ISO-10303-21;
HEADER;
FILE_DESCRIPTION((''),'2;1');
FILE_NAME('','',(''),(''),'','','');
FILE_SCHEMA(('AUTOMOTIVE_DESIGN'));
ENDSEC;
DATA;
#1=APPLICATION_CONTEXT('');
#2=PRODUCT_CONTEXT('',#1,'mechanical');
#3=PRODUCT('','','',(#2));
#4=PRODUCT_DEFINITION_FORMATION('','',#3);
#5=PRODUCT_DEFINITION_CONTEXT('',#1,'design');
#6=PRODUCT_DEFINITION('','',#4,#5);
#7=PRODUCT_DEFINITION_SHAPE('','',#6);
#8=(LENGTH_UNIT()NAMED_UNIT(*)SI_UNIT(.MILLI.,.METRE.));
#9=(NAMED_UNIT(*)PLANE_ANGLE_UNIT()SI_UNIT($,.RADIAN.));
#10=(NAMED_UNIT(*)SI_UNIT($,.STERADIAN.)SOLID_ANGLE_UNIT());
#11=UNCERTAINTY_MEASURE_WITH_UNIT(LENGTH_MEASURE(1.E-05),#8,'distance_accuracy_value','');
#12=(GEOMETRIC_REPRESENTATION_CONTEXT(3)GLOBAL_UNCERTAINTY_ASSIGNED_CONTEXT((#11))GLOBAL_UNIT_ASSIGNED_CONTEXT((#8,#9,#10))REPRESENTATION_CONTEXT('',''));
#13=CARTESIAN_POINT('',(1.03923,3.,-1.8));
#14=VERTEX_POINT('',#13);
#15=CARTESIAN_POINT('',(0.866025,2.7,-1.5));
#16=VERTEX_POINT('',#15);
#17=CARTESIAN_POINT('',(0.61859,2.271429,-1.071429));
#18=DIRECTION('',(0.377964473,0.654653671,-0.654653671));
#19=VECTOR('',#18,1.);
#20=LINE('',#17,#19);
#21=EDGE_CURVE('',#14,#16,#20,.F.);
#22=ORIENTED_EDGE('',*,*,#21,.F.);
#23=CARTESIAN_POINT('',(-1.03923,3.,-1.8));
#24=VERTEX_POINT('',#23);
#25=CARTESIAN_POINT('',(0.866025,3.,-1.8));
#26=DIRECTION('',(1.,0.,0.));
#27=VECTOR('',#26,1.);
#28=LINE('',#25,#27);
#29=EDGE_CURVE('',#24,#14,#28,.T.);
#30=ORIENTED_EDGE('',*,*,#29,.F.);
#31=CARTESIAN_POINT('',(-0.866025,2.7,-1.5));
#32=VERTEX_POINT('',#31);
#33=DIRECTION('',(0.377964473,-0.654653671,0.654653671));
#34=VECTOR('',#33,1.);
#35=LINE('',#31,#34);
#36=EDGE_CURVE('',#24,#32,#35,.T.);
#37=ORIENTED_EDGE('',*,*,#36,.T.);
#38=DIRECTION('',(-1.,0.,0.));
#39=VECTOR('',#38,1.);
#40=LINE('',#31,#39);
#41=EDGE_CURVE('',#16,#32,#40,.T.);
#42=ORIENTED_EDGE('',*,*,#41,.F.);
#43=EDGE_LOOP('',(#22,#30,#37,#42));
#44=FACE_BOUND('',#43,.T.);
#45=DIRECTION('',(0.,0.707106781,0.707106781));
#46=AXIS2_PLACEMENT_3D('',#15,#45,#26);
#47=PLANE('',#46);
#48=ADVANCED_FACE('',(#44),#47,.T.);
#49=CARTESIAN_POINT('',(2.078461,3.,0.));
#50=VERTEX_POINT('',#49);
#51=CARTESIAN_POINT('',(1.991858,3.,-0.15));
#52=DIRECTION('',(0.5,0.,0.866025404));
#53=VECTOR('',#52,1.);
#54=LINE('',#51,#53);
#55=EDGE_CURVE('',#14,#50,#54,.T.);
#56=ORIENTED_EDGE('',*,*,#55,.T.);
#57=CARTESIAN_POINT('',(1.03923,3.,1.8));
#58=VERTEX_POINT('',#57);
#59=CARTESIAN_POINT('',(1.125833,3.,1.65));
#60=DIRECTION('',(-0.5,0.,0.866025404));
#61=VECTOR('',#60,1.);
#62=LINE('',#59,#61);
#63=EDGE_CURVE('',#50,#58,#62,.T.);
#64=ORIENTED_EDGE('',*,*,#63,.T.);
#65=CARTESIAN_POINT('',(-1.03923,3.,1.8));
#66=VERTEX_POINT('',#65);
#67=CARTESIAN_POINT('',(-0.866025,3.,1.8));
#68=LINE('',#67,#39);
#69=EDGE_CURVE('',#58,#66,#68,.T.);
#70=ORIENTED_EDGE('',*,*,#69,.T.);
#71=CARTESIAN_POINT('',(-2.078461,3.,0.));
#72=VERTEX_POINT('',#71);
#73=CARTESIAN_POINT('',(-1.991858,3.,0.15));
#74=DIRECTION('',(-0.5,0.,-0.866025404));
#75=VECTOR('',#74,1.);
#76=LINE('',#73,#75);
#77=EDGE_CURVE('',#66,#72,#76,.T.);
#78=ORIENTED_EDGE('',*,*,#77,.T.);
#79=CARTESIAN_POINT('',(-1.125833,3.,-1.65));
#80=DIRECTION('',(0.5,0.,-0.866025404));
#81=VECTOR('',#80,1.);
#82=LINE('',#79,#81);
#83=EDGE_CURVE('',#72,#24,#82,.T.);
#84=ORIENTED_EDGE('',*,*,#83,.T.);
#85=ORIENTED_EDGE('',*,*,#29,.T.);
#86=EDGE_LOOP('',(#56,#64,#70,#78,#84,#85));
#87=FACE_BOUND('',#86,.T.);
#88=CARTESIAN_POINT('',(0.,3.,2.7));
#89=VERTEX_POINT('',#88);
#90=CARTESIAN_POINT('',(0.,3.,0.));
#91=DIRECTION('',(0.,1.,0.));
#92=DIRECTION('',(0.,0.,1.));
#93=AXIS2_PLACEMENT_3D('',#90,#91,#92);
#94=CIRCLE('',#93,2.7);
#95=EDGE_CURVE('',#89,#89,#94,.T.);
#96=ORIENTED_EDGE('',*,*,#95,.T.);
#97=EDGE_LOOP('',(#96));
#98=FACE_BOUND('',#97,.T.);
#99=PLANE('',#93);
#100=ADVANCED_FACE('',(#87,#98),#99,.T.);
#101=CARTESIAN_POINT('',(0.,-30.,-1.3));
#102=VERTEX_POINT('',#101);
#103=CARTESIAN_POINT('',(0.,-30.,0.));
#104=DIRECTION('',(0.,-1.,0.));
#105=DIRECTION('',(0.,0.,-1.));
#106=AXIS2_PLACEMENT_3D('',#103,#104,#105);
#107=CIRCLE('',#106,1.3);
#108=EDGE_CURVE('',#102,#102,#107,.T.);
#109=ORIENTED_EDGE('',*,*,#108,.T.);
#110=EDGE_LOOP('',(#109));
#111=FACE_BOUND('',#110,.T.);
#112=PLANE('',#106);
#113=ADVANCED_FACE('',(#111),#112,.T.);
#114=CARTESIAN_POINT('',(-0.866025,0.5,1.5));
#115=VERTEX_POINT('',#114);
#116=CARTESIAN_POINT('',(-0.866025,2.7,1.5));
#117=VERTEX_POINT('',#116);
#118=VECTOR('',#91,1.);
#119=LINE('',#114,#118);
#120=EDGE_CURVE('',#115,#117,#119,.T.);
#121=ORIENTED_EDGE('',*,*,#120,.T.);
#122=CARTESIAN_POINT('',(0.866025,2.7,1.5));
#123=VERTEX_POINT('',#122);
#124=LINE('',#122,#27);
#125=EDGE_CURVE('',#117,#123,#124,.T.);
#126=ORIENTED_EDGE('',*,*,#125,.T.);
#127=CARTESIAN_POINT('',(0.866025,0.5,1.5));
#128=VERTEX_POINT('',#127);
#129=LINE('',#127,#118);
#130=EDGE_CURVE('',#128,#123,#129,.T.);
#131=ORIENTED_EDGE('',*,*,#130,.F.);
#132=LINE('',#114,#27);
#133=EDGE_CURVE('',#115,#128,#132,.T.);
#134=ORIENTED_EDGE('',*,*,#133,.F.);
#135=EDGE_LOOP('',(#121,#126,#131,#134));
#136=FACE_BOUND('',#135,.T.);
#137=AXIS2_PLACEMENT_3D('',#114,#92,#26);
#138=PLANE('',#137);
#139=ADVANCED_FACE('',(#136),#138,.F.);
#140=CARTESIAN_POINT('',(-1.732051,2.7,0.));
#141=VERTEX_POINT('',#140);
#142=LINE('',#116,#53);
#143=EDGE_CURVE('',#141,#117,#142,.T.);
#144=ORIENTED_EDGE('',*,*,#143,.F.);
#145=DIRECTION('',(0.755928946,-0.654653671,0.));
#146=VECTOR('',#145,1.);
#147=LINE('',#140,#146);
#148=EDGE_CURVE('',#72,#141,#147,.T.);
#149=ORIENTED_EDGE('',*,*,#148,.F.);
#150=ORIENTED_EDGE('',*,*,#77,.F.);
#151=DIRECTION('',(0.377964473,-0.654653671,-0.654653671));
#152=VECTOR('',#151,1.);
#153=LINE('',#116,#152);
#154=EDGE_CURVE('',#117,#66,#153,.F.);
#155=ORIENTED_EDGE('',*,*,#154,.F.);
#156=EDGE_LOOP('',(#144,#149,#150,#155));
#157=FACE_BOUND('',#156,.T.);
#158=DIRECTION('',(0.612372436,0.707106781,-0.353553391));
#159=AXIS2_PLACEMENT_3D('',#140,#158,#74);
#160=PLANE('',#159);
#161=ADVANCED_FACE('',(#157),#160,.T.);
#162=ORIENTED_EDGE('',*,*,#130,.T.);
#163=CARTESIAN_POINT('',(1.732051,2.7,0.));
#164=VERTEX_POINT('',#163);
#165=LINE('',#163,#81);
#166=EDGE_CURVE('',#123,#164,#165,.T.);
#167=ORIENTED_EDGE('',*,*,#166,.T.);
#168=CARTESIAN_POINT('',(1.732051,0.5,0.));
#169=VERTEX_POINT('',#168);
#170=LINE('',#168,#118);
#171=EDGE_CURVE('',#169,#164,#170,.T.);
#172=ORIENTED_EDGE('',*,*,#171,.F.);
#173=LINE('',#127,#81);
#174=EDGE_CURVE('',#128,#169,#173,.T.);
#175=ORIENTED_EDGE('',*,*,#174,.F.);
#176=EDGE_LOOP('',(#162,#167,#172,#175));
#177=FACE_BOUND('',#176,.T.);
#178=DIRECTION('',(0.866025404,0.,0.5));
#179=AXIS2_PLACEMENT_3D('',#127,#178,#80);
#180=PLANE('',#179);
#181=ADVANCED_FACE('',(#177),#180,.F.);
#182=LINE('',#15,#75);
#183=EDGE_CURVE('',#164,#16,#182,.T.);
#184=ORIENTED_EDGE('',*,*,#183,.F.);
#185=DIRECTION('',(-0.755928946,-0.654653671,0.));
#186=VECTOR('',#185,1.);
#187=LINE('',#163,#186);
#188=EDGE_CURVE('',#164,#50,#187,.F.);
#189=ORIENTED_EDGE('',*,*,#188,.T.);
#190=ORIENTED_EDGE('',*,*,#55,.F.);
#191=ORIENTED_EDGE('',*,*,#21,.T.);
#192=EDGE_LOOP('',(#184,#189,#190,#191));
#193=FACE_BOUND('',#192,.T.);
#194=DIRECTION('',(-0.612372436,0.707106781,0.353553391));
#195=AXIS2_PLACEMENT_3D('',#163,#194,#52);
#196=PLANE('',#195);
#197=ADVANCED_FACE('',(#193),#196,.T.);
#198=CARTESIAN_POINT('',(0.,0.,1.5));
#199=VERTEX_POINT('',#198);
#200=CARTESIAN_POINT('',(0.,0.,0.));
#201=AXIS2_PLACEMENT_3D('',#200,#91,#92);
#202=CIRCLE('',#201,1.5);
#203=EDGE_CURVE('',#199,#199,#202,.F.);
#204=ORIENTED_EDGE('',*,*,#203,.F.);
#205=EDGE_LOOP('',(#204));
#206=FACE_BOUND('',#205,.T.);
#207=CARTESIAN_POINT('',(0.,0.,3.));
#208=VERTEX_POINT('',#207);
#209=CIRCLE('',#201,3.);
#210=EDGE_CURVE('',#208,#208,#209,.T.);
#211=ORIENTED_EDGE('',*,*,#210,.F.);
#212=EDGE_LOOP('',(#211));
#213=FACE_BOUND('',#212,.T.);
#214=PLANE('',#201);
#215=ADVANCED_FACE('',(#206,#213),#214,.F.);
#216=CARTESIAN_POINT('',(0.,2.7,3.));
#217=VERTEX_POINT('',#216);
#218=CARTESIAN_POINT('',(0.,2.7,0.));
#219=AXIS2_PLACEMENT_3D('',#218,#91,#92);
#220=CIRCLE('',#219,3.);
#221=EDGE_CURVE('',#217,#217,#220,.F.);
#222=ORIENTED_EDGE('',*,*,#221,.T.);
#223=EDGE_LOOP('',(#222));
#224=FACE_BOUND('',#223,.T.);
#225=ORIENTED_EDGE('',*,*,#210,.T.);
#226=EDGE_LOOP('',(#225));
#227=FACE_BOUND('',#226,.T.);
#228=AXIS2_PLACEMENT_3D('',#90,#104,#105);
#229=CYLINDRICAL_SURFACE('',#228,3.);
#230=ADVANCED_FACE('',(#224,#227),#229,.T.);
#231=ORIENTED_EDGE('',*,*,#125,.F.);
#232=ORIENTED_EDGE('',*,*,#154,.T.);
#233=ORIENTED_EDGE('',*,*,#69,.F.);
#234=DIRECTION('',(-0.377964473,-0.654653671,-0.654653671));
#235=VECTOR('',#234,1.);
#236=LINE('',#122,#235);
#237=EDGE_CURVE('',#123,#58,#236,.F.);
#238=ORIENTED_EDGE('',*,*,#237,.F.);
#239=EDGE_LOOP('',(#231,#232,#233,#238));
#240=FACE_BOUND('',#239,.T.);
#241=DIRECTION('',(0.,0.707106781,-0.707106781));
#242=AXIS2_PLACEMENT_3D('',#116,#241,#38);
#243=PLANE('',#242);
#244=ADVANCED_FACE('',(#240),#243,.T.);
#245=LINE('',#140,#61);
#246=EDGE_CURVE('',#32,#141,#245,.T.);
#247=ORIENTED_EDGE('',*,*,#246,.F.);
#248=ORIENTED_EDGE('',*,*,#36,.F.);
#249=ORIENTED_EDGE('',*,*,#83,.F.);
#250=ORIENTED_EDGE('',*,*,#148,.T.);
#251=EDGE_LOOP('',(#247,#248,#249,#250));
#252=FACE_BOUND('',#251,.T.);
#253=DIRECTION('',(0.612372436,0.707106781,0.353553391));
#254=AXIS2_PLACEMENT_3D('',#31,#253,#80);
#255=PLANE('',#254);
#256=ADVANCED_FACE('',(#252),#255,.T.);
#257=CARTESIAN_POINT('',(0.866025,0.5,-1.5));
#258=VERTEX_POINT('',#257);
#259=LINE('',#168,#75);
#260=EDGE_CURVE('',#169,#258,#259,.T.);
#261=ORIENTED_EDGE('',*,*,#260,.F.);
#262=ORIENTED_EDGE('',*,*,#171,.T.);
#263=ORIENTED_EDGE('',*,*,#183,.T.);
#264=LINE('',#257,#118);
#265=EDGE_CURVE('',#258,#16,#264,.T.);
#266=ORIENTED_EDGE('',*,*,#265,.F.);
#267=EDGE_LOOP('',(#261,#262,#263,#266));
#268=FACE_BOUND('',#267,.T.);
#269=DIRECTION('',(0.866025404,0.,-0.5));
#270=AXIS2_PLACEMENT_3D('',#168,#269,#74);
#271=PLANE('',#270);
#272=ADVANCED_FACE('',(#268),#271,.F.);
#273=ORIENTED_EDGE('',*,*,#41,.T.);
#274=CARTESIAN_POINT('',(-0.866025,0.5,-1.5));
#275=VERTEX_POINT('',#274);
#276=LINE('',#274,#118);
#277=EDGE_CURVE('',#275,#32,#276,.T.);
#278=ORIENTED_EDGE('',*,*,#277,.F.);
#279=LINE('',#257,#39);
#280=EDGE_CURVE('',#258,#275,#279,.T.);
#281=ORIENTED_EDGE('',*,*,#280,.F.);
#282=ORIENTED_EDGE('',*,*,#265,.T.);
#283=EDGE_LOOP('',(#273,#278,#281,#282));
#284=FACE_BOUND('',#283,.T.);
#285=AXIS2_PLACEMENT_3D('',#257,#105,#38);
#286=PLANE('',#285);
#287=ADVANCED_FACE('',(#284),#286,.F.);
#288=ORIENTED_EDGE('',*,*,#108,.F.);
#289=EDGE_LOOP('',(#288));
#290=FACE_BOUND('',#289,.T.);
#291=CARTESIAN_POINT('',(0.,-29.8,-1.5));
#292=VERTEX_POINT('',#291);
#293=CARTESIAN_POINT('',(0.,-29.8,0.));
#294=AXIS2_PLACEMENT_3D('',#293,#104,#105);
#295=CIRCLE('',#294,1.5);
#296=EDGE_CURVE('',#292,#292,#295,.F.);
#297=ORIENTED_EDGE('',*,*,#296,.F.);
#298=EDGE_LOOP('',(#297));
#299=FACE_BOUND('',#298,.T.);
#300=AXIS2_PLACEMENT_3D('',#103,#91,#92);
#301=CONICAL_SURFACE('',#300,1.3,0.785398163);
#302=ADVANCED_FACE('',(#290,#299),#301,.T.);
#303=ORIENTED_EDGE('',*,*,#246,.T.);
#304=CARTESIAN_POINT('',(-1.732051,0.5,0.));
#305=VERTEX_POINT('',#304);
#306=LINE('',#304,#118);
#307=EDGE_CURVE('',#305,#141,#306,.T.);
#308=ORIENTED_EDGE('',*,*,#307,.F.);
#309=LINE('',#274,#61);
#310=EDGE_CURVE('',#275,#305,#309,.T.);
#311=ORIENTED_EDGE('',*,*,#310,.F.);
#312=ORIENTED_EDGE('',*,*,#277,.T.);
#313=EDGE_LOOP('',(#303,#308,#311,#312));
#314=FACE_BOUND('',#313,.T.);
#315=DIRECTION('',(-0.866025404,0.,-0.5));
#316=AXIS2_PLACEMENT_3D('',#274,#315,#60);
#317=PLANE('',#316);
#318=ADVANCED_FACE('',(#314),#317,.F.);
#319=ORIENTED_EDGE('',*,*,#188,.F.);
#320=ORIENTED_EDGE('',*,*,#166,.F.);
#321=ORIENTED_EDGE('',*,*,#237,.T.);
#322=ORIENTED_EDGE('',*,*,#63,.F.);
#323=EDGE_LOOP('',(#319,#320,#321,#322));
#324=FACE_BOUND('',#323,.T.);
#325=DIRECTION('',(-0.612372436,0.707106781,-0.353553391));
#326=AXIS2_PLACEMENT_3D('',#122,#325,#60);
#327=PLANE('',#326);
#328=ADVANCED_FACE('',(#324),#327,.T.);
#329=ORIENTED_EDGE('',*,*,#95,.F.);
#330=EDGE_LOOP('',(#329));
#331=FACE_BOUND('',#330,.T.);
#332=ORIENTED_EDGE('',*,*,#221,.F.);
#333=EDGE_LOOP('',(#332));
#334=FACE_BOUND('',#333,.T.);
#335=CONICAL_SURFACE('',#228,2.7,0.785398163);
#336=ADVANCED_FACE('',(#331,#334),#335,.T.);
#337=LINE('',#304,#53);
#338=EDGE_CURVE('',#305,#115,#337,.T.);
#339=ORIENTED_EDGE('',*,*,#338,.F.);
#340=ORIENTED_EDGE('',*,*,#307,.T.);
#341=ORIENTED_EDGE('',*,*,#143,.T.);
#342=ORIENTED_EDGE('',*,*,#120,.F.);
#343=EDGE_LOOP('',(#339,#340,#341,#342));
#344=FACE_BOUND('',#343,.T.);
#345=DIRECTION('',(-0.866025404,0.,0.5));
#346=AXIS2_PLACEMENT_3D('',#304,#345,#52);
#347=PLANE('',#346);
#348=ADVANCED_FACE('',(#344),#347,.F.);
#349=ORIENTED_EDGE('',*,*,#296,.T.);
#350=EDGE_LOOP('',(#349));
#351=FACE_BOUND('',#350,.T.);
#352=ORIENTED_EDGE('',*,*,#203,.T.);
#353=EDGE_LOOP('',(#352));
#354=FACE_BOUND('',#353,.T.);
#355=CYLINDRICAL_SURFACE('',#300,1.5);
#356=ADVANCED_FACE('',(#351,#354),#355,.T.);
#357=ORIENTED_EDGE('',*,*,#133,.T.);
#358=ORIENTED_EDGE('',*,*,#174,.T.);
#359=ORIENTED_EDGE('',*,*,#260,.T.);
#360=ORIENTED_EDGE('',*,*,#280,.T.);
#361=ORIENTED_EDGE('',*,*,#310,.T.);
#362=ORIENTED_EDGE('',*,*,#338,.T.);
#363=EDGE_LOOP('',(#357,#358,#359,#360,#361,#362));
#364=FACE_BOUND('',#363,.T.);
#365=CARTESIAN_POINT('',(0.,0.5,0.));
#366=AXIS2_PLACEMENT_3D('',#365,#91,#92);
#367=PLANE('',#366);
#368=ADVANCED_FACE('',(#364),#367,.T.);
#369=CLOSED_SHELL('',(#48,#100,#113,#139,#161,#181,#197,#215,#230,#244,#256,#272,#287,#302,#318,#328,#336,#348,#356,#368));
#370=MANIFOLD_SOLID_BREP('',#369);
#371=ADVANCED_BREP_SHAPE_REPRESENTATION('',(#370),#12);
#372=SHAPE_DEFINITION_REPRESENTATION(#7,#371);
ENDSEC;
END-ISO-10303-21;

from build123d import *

# Parameters (mm, degrees)
SKETCH1_R           = 3
BOSS_EXTRUDE1_DEPTH = 3
CHAMFER1_SIZE       = 0.3
CUT_EXTRUDE1_DEPTH  = 2.5
CHAMFER2_SIZE       = 0.3
SKETCH3_R           = 1.5
BOSS_EXTRUDE2_DEPTH = 30
CHAMFER3_SIZE       = 0.2


with BuildPart() as part:
    # Sketch1 → Boss-Extrude1 (new body)
    with BuildSketch(Plane(origin=(0, 0, 0), x_dir=(1, 0, 0), z_dir=(0, 1, 0))):
        with Locations(Location((0, 0, 0), (0, 0, 270))):  # turned: the seam where the file's is
            Circle(SKETCH1_R)
    extrude(amount=BOSS_EXTRUDE1_DEPTH)

    # Chamfer1
    chamfer1_edges = [part.edges().sort_by_distance(p)[0] for p in [
        (0, 3, -3),
    ]]
    chamfer(chamfer1_edges, length=CHAMFER1_SIZE)

    # Sketch2 → Cut-Extrude1 (cut)
    with BuildSketch(Plane(origin=(0, 3, 0), x_dir=(1, 0, 0), z_dir=(0, 1, 0))):
        Polygon((1.732050808, 0), (0.866025404, 1.5), (-0.866025404, 1.5), (-1.732050808, 0), (-0.866025404, -1.5), (0.866025404, -1.5), align=None)
    extrude(amount=-CUT_EXTRUDE1_DEPTH, mode=Mode.SUBTRACT)

    # Chamfer2
    chamfer2_edges = [part.edges().sort_by_distance(p)[0] for p in [
        (1.299038106, 3, 0.75),
        (1.299038106, 3, -0.75),
        (0, 3, -1.5),
        (-1.299038106, 3, -0.75),
        (-1.299038106, 3, 0.75),
        (0, 3, 1.5),
    ]]
    chamfer(chamfer2_edges, length=CHAMFER2_SIZE)

    # Sketch3 → Boss-Extrude2 (add)
    with BuildSketch(Plane.XZ):
        with Locations(Location((0, 0, 0), (0, 0, 90))):  # turned: the seam where the file's is
            Circle(SKETCH3_R)
    extrude(amount=BOSS_EXTRUDE2_DEPTH)

    # Chamfer3
    chamfer3_edges = [part.edges().sort_by_distance(p)[0] for p in [
        (0, -30, -1.5),
    ]]
    chamfer(chamfer3_edges, length=CHAMFER3_SIZE)


solid = part.part
